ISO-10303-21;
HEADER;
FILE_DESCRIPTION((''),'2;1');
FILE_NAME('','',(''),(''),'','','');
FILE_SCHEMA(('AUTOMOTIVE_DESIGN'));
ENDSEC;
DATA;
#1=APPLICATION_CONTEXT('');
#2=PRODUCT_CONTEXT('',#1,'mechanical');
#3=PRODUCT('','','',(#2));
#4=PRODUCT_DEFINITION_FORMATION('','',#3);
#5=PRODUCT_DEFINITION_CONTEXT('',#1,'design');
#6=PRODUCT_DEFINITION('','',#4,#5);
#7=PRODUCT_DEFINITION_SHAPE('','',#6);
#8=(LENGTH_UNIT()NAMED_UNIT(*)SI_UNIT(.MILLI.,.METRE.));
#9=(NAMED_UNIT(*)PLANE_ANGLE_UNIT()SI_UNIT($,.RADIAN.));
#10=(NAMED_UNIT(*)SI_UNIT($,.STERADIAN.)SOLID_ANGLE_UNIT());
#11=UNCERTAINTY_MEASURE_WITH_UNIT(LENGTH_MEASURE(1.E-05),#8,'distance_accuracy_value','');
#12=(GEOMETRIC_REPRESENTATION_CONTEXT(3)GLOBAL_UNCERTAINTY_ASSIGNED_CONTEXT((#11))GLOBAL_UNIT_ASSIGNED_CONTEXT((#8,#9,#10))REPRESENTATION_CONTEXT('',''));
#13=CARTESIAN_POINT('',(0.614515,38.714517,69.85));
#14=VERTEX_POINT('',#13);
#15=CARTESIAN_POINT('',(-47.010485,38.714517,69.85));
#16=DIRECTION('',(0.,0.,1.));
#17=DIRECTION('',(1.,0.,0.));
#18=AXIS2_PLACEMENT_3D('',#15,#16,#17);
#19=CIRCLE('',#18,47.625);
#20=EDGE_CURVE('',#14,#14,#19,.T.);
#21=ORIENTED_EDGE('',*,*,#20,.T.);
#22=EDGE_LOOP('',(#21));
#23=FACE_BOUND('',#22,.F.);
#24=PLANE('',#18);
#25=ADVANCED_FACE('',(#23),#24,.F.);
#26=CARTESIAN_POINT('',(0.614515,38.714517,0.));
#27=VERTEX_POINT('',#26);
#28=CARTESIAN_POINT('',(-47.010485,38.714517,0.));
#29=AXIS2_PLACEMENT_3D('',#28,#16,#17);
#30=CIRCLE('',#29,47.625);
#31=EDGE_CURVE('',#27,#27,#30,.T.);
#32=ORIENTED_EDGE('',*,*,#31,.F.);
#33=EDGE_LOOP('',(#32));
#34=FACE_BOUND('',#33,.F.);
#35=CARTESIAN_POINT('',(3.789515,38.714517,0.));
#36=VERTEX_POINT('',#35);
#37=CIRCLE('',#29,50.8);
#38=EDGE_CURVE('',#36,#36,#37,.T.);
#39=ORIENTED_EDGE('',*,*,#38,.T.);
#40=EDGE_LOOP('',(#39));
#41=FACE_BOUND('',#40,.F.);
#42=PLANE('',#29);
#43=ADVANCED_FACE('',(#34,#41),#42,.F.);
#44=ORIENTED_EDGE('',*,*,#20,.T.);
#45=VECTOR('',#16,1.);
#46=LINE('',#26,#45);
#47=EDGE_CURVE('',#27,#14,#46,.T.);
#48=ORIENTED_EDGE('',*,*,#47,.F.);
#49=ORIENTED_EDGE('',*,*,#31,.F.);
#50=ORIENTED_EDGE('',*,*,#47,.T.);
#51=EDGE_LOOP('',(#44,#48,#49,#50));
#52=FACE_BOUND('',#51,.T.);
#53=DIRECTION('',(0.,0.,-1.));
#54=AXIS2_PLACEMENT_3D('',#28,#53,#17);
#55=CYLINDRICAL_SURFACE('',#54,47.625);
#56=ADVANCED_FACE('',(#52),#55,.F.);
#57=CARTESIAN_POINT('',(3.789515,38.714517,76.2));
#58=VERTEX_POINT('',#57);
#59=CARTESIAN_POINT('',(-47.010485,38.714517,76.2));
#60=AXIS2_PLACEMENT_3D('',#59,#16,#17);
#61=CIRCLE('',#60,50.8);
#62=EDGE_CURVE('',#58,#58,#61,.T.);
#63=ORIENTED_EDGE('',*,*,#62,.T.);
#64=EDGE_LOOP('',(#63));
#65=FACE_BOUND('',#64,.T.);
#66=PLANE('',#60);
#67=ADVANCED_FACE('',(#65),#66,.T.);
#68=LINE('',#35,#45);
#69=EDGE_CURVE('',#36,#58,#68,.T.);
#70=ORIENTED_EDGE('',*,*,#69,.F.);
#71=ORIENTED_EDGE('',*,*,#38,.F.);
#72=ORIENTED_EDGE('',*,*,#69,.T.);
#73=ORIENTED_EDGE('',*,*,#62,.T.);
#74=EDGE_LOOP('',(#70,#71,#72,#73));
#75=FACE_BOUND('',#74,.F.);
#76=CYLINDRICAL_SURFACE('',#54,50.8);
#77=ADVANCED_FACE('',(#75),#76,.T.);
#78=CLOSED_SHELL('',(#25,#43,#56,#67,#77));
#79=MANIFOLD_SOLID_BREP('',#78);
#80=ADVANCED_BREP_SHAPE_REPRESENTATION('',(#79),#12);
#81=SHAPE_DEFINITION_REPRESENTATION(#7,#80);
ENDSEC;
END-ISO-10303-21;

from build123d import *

# Parameters (mm, degrees)
F0_R     = 50.8
F0_R_2   = 47.625
F1_DEPTH = 76.2
F2_DEPTH = 69.85


with BuildPart() as f1:
    # F0 (on Top) → F1 (new body)
    with BuildSketch(Plane.XY):
        with Locations((-47.0104850829, 38.7145169079)):
            Circle(F0_R)
        with Locations((-47.0104850829, 38.7145169079)):
            Circle(F0_R_2, mode=Mode.SUBTRACT)
        with Locations((-47.0104850829, 38.7145169079)):
            Circle(F0_R_2)
    extrude(amount=F1_DEPTH)

    # F0 (on Top) → F2 (cut)
    with BuildSketch(Plane.XY):
        with Locations((-47.0104850829, 38.7145169079)):
            Circle(F0_R_2)
    extrude(amount=F2_DEPTH, mode=Mode.SUBTRACT)


solid = f1.part
